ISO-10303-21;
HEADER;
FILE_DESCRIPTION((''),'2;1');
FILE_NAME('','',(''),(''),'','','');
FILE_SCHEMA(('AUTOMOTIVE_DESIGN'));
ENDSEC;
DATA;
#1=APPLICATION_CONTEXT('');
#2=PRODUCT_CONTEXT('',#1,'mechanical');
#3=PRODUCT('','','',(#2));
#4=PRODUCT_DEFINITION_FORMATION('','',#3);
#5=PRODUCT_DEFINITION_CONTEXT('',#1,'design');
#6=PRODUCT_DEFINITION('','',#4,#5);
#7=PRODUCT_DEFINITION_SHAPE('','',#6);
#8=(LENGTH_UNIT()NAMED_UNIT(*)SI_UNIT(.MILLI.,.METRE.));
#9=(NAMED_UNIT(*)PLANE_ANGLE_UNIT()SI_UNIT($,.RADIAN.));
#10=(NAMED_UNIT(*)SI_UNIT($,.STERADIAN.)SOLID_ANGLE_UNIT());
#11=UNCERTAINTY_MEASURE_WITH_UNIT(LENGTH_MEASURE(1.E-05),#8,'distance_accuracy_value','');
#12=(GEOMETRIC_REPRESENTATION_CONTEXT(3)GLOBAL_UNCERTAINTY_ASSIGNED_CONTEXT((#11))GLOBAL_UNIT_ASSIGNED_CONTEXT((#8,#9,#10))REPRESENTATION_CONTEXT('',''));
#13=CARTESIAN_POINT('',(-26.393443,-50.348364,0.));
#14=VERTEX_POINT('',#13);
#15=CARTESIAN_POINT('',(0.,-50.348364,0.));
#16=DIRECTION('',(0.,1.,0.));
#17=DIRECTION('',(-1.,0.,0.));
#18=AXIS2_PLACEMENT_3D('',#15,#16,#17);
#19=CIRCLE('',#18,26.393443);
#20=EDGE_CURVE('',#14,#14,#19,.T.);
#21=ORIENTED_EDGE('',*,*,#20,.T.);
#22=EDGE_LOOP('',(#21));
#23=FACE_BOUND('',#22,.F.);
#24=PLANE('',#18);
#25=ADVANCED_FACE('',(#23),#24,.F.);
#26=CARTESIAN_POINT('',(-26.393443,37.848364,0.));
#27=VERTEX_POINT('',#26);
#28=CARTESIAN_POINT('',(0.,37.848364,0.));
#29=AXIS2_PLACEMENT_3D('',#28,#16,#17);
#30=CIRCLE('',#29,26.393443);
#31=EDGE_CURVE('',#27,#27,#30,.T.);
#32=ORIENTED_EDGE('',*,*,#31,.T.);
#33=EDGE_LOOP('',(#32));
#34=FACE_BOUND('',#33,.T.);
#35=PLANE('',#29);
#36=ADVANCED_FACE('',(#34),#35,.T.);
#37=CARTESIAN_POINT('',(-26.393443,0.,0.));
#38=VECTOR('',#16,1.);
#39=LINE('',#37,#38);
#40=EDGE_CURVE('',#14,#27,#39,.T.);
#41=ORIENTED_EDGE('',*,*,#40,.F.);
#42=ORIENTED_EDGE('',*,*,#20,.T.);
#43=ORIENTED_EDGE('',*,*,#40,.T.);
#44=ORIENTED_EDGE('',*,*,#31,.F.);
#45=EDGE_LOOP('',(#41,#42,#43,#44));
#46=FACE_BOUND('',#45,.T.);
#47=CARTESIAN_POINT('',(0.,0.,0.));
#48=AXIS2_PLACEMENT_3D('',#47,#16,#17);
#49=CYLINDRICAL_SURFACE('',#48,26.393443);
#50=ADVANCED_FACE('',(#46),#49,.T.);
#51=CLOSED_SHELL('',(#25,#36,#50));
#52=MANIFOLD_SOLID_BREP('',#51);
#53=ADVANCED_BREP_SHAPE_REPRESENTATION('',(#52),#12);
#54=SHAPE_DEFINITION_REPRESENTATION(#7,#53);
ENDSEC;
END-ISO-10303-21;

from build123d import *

# Parameters (mm, degrees)
F0_W     = 26.393443346
F0_H     = 100.6967276335
F2_DEPTH = 12.5


with BuildPart() as f1:
    # F0 (on Top) → F1 (revolve)
    with BuildSketch(Plane.XY):
        with Locations((-13.196721673, 0)):
            Rectangle(F0_W, F0_H)
    revolve(axis=Axis((0, 0, 0), (0, 1, 0)))

    # F2 (cut, symmetric): a face of the model
    f2_faces = [f1.faces().sort_by_distance(p)[0] for p in [
        (0, 50.3483638167, 0),
    ]]
    extrude(f2_faces, amount=F2_DEPTH, both=True, mode=Mode.SUBTRACT)


solid = f1.part
